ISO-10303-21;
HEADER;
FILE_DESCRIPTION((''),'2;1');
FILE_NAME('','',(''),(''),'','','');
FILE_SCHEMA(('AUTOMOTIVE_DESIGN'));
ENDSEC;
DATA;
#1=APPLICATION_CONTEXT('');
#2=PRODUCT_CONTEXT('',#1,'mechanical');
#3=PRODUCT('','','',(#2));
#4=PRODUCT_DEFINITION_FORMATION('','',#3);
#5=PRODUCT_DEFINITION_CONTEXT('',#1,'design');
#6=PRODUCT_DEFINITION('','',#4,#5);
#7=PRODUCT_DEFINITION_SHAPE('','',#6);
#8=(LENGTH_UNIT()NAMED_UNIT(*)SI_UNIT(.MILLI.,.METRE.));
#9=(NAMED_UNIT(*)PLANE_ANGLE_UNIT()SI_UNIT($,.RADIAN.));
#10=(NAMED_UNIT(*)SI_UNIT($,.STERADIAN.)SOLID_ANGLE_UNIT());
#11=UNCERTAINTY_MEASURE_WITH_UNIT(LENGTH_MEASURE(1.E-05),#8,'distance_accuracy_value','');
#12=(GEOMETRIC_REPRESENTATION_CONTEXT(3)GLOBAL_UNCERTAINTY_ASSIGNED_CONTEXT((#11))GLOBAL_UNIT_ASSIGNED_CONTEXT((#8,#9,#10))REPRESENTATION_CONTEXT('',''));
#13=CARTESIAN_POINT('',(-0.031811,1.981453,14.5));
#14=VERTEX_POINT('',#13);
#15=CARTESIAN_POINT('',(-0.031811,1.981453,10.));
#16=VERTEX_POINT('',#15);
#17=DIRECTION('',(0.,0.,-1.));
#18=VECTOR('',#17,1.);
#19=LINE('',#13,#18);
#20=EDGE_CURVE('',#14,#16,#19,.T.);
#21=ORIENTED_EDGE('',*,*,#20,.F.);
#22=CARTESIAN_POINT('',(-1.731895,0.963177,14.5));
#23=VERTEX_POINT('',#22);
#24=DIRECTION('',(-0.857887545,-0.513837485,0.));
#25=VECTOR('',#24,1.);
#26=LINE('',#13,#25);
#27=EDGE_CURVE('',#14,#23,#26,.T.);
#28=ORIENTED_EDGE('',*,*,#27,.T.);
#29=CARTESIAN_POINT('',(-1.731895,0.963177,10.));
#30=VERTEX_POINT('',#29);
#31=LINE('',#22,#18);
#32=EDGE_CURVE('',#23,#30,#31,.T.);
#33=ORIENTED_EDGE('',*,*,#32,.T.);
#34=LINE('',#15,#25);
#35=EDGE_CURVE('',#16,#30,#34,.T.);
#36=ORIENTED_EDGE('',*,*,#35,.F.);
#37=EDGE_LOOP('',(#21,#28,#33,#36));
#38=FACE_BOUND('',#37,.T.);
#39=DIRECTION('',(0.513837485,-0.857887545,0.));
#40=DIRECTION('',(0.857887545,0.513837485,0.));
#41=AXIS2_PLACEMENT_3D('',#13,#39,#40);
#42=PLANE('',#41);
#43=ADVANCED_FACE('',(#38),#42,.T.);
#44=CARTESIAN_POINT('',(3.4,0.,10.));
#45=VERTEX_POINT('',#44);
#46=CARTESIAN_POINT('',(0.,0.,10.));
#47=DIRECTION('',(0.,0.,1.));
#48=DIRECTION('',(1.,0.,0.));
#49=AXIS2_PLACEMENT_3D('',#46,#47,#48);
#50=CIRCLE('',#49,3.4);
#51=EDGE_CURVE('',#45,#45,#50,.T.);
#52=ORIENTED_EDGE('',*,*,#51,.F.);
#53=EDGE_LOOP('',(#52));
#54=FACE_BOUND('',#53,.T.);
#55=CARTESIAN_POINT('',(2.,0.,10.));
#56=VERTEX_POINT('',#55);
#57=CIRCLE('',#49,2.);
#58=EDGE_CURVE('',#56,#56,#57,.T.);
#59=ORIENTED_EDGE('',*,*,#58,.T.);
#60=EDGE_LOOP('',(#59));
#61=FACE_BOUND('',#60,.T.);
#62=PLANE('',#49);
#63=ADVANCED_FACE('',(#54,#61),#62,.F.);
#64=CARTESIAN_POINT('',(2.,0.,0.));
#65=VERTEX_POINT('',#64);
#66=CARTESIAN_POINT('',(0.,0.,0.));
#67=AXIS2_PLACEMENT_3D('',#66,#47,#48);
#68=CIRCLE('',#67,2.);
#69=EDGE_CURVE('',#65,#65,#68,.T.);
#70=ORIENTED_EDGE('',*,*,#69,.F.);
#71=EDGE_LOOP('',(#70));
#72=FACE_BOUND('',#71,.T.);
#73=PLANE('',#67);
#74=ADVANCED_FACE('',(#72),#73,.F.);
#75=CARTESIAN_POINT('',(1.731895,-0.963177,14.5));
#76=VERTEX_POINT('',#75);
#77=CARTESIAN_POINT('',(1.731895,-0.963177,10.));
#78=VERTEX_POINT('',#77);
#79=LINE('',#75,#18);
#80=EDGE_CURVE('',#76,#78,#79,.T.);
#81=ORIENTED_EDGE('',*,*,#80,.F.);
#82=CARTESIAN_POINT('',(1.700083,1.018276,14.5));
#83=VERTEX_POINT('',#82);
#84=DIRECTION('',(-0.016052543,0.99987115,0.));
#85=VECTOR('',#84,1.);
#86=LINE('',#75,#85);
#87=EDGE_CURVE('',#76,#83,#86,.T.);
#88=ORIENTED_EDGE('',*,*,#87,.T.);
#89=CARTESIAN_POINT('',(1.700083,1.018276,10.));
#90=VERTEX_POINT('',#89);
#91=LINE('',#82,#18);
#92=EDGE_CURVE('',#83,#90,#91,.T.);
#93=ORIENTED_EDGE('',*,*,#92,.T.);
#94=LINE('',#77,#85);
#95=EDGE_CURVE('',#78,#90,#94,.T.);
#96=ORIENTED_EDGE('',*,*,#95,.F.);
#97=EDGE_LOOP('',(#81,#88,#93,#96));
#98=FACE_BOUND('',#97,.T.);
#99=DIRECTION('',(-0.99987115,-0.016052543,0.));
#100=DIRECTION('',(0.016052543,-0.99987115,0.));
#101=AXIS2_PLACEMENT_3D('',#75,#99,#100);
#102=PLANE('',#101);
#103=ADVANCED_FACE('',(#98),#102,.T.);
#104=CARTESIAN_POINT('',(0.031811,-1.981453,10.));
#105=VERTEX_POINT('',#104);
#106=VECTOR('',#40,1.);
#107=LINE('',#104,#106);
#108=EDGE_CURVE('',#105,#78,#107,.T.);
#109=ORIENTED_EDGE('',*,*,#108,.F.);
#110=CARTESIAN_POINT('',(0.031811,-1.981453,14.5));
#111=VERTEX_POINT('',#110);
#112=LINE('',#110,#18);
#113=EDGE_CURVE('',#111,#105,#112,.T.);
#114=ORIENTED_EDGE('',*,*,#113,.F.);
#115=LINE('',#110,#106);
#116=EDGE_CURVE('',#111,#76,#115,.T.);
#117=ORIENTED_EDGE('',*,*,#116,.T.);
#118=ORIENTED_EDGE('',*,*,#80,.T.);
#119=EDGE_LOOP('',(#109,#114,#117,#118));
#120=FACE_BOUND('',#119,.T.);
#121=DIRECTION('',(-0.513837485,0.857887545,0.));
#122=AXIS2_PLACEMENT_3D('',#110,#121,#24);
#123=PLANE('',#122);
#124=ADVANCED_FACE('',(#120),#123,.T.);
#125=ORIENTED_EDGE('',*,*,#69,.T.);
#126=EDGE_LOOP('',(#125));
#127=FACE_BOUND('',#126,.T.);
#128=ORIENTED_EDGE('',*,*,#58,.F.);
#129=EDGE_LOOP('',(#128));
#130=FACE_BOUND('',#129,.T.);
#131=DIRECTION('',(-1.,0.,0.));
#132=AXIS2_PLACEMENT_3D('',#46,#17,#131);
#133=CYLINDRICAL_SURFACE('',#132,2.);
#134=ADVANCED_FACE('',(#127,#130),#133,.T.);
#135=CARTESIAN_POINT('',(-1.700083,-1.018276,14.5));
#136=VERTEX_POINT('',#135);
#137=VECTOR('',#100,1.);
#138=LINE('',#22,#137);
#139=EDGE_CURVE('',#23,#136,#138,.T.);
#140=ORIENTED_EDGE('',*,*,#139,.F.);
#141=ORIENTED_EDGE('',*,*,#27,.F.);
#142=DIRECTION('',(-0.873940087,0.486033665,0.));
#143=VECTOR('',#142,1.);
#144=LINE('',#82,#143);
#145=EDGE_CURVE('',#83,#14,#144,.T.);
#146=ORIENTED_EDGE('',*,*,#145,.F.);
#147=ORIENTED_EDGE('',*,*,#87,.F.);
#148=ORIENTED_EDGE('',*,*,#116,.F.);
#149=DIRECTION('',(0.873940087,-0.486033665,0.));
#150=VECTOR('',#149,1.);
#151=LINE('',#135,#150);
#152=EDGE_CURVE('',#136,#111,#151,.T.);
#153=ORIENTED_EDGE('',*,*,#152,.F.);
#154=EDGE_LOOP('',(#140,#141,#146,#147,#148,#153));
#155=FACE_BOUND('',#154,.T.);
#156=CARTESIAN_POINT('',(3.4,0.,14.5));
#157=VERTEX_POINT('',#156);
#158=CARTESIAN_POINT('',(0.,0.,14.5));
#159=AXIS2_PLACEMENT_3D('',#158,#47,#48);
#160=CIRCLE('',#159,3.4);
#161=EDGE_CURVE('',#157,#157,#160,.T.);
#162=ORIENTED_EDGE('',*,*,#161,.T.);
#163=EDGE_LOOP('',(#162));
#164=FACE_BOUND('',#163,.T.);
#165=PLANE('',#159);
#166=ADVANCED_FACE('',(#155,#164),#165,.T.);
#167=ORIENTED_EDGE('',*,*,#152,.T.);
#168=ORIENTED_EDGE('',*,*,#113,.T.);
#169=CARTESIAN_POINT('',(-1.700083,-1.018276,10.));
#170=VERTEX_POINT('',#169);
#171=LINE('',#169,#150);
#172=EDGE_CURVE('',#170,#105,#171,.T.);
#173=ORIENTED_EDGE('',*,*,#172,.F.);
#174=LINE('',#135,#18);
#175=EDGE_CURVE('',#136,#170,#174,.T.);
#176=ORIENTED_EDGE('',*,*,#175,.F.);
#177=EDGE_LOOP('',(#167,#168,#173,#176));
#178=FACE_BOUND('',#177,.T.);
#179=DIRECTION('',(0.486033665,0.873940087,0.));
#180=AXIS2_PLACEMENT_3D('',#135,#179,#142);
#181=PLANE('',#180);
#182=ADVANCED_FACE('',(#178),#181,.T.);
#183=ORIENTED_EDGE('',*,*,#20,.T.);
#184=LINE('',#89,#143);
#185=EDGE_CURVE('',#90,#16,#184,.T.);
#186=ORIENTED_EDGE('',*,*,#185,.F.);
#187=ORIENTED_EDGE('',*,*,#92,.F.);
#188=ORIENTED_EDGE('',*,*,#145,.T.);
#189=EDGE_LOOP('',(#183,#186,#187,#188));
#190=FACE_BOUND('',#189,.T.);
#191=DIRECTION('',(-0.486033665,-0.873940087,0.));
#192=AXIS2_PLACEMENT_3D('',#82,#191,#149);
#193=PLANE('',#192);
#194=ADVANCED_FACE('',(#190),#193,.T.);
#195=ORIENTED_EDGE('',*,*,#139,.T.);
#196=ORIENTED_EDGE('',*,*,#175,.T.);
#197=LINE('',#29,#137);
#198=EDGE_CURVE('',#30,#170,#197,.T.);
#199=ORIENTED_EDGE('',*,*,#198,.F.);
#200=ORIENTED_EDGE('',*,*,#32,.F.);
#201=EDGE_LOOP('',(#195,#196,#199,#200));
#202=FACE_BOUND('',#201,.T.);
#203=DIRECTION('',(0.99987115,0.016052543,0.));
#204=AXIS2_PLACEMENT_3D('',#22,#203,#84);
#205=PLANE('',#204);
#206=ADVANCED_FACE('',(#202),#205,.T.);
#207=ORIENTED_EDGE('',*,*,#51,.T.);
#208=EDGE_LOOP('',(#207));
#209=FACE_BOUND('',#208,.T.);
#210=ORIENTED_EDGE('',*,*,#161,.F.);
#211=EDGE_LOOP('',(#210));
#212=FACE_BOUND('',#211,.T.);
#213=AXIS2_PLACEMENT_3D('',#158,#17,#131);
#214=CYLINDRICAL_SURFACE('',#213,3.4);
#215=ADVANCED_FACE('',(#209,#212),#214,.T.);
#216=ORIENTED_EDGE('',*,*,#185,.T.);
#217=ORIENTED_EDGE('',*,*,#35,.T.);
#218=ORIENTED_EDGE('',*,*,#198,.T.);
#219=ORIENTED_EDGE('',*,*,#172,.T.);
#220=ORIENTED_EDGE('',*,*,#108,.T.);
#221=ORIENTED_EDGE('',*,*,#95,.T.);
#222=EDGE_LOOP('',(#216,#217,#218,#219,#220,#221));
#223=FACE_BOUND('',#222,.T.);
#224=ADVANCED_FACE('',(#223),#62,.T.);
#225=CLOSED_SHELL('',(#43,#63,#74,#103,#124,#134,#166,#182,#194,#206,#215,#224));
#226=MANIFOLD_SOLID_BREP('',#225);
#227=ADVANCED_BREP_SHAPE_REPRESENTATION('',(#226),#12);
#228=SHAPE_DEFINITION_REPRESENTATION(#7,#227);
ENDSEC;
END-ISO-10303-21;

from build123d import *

# Parameters (mm, degrees)
SKETCH_1_R      = 2
EXTRUDE_1_DEPTH = 10
SKETCH_2_R      = 3.4
EXTRUDE_2_DEPTH = 4.5


with BuildPart() as part:
    # 草图1 → 拉伸1 (new body)
    with BuildSketch(Plane.XY):
        Circle(SKETCH_1_R)
    extrude(amount=EXTRUDE_1_DEPTH)

    # 草图2 → 拉伸2 (add)
    with BuildSketch(Plane.XY.offset(10)):
        Circle(SKETCH_2_R)
        Polygon((-0.031811461, 1.981453179), (-1.73189452, 0.963177056), (-1.700083059, -1.018276123), (0.031811461, -1.981453179), (1.73189452, -0.963177056), (1.700083059, 1.018276123), align=None, mode=Mode.SUBTRACT)
    extrude(amount=EXTRUDE_2_DEPTH)


solid = part.part
